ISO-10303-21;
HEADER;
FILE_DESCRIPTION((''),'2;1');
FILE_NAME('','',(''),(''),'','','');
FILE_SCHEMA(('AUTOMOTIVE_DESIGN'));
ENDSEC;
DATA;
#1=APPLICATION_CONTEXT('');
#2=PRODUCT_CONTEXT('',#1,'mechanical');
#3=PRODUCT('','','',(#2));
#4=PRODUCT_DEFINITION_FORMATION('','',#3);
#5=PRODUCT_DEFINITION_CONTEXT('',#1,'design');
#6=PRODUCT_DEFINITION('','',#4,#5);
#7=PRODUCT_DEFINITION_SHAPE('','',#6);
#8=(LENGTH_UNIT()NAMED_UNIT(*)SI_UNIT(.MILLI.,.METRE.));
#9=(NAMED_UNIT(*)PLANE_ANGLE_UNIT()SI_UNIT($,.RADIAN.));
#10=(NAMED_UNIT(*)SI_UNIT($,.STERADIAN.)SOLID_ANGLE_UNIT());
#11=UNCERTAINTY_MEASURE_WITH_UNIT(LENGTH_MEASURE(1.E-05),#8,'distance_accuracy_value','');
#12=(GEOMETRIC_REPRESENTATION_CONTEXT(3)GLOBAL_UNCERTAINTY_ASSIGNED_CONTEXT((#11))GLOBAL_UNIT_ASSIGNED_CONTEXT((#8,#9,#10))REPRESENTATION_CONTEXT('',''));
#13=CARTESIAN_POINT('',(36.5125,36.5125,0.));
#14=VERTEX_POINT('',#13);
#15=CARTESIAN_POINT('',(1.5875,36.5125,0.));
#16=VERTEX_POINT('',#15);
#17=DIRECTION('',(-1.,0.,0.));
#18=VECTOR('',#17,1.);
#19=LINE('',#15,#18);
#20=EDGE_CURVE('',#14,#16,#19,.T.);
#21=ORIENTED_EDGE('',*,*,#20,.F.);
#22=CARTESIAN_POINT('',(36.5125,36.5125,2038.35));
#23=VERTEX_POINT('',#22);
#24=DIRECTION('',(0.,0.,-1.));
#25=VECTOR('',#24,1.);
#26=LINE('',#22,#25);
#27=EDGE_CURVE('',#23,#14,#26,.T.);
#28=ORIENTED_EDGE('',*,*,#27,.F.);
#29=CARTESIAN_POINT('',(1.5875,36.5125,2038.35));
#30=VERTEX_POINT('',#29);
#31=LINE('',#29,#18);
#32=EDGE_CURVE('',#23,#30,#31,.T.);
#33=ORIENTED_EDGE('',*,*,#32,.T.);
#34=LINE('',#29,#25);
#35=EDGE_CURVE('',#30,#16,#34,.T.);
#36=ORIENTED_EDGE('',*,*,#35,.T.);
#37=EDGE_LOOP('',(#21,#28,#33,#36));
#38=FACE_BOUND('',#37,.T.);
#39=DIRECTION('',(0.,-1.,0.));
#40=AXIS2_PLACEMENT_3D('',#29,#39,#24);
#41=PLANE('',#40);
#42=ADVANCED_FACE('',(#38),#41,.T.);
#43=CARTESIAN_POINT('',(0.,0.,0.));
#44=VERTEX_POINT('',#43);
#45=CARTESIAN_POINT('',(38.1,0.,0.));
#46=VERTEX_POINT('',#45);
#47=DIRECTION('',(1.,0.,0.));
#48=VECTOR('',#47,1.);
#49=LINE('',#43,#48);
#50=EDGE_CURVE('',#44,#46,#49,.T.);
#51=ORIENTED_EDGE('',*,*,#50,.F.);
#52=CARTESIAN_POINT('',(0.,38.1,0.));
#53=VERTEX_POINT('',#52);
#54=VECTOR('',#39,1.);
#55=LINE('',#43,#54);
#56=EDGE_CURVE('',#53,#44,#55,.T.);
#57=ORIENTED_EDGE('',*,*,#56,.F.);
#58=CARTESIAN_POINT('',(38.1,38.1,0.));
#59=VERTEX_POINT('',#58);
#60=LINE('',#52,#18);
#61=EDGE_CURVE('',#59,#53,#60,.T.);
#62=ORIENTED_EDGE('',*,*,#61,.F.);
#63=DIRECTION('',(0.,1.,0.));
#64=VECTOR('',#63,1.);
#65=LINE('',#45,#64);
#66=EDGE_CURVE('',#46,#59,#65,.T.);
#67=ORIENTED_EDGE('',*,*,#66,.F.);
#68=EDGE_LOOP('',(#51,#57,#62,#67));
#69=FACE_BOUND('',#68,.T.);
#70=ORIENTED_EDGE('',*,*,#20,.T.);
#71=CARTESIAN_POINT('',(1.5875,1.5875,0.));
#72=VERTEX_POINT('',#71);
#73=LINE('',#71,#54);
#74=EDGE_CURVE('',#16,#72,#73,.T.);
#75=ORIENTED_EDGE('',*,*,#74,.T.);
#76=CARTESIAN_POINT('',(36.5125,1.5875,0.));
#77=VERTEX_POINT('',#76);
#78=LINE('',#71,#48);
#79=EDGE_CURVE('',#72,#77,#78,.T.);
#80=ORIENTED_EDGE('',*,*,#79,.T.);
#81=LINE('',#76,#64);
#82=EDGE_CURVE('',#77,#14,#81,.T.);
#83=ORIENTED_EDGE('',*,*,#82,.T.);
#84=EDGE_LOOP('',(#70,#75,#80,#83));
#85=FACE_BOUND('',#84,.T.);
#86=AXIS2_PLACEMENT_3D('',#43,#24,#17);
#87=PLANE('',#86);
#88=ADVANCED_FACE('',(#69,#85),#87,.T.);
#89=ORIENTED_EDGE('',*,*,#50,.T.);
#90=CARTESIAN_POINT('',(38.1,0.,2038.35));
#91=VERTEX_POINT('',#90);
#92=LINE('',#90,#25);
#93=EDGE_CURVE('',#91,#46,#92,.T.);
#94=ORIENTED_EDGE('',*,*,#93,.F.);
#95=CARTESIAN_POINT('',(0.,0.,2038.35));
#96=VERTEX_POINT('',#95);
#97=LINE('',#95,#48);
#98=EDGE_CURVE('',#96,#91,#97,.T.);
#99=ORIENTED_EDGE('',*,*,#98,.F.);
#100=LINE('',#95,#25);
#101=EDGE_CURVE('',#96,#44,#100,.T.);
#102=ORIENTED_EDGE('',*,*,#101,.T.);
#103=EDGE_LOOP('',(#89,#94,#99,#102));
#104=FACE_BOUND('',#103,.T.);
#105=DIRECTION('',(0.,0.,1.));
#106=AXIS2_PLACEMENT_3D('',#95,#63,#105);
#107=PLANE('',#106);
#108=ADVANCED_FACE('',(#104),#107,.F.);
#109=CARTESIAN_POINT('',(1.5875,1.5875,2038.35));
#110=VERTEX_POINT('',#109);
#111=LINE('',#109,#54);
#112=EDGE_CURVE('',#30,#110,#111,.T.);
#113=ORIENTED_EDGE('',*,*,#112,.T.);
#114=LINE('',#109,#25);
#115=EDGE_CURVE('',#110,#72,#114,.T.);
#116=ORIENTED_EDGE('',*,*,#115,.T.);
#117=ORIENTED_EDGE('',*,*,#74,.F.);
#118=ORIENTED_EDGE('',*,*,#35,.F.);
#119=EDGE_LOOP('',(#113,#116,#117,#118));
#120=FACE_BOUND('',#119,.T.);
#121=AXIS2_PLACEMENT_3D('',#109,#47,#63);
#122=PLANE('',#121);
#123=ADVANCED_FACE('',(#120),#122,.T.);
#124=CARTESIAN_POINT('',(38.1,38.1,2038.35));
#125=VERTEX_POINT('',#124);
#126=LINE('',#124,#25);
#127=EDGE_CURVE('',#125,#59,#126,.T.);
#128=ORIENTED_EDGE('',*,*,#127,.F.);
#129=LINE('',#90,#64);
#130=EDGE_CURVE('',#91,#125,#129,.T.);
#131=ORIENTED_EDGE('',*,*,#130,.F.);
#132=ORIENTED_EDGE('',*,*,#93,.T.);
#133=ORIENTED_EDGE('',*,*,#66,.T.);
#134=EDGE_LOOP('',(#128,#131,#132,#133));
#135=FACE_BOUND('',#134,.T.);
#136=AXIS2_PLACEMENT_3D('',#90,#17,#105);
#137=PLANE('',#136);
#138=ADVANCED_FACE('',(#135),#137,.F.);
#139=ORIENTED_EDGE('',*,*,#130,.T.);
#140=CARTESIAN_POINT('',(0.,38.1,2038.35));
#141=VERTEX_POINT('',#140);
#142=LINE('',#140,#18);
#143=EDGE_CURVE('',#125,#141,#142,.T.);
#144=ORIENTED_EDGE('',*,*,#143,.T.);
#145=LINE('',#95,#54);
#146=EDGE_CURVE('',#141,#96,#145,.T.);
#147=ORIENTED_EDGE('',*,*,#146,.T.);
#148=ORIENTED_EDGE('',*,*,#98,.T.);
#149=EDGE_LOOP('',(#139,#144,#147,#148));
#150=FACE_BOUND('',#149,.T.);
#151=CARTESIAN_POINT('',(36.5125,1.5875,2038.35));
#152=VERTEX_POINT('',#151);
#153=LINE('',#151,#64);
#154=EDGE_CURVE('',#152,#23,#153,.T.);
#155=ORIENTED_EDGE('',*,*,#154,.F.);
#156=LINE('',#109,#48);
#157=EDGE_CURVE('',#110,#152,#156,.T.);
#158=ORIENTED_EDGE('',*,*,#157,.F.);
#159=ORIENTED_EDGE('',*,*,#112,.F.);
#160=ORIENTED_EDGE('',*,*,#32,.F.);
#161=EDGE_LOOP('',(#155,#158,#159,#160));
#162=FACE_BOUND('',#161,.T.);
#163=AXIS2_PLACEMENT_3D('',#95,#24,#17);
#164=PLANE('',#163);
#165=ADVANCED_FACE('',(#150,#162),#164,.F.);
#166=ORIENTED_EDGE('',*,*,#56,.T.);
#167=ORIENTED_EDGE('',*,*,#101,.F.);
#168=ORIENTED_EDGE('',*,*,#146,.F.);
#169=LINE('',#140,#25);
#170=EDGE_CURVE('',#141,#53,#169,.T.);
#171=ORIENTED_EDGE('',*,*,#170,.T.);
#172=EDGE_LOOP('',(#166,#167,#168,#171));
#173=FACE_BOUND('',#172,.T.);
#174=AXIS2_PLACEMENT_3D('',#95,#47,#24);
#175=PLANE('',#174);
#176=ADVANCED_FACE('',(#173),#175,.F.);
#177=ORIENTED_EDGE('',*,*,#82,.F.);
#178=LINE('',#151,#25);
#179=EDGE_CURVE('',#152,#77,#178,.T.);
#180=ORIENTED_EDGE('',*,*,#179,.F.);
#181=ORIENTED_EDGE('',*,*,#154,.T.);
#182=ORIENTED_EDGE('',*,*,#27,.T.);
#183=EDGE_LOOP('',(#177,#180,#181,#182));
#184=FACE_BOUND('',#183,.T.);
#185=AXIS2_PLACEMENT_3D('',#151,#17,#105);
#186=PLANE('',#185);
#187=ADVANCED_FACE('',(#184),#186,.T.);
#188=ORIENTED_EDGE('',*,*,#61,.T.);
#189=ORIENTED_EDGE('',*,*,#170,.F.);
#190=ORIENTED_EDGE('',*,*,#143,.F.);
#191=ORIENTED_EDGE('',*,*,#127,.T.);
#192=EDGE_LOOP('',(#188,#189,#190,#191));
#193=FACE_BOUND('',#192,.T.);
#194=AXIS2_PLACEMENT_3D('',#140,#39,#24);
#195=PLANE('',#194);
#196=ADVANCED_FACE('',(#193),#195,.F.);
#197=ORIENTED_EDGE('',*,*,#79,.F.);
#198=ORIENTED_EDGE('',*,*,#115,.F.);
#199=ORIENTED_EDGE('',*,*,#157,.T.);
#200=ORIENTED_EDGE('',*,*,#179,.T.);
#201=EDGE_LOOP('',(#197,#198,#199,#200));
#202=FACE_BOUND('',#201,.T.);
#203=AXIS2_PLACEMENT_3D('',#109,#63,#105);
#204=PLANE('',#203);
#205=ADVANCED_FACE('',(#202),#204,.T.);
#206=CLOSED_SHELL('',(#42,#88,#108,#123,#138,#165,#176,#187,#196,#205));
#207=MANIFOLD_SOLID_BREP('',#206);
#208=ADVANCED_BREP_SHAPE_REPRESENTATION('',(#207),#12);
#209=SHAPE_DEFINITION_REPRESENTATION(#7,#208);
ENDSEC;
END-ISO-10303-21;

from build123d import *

# Parameters (mm, degrees)
SKETCH2_W           = 38.1
SKETCH2_H           = 38.1
SKETCH2_W_2         = 34.925
SKETCH2_H_2         = 34.925
BOSS_EXTRUDE1_DEPTH = 2038.35


with BuildPart() as part:
    # Sketch2 → Boss-Extrude1 (new body)
    with BuildSketch(Plane.XY):
        with Locations((19.05, 19.05)):
            Rectangle(SKETCH2_W, SKETCH2_H)
        with Locations((19.05, 19.05)):
            Rectangle(SKETCH2_W_2, SKETCH2_H_2, mode=Mode.SUBTRACT)
    extrude(amount=BOSS_EXTRUDE1_DEPTH)


solid = part.part
